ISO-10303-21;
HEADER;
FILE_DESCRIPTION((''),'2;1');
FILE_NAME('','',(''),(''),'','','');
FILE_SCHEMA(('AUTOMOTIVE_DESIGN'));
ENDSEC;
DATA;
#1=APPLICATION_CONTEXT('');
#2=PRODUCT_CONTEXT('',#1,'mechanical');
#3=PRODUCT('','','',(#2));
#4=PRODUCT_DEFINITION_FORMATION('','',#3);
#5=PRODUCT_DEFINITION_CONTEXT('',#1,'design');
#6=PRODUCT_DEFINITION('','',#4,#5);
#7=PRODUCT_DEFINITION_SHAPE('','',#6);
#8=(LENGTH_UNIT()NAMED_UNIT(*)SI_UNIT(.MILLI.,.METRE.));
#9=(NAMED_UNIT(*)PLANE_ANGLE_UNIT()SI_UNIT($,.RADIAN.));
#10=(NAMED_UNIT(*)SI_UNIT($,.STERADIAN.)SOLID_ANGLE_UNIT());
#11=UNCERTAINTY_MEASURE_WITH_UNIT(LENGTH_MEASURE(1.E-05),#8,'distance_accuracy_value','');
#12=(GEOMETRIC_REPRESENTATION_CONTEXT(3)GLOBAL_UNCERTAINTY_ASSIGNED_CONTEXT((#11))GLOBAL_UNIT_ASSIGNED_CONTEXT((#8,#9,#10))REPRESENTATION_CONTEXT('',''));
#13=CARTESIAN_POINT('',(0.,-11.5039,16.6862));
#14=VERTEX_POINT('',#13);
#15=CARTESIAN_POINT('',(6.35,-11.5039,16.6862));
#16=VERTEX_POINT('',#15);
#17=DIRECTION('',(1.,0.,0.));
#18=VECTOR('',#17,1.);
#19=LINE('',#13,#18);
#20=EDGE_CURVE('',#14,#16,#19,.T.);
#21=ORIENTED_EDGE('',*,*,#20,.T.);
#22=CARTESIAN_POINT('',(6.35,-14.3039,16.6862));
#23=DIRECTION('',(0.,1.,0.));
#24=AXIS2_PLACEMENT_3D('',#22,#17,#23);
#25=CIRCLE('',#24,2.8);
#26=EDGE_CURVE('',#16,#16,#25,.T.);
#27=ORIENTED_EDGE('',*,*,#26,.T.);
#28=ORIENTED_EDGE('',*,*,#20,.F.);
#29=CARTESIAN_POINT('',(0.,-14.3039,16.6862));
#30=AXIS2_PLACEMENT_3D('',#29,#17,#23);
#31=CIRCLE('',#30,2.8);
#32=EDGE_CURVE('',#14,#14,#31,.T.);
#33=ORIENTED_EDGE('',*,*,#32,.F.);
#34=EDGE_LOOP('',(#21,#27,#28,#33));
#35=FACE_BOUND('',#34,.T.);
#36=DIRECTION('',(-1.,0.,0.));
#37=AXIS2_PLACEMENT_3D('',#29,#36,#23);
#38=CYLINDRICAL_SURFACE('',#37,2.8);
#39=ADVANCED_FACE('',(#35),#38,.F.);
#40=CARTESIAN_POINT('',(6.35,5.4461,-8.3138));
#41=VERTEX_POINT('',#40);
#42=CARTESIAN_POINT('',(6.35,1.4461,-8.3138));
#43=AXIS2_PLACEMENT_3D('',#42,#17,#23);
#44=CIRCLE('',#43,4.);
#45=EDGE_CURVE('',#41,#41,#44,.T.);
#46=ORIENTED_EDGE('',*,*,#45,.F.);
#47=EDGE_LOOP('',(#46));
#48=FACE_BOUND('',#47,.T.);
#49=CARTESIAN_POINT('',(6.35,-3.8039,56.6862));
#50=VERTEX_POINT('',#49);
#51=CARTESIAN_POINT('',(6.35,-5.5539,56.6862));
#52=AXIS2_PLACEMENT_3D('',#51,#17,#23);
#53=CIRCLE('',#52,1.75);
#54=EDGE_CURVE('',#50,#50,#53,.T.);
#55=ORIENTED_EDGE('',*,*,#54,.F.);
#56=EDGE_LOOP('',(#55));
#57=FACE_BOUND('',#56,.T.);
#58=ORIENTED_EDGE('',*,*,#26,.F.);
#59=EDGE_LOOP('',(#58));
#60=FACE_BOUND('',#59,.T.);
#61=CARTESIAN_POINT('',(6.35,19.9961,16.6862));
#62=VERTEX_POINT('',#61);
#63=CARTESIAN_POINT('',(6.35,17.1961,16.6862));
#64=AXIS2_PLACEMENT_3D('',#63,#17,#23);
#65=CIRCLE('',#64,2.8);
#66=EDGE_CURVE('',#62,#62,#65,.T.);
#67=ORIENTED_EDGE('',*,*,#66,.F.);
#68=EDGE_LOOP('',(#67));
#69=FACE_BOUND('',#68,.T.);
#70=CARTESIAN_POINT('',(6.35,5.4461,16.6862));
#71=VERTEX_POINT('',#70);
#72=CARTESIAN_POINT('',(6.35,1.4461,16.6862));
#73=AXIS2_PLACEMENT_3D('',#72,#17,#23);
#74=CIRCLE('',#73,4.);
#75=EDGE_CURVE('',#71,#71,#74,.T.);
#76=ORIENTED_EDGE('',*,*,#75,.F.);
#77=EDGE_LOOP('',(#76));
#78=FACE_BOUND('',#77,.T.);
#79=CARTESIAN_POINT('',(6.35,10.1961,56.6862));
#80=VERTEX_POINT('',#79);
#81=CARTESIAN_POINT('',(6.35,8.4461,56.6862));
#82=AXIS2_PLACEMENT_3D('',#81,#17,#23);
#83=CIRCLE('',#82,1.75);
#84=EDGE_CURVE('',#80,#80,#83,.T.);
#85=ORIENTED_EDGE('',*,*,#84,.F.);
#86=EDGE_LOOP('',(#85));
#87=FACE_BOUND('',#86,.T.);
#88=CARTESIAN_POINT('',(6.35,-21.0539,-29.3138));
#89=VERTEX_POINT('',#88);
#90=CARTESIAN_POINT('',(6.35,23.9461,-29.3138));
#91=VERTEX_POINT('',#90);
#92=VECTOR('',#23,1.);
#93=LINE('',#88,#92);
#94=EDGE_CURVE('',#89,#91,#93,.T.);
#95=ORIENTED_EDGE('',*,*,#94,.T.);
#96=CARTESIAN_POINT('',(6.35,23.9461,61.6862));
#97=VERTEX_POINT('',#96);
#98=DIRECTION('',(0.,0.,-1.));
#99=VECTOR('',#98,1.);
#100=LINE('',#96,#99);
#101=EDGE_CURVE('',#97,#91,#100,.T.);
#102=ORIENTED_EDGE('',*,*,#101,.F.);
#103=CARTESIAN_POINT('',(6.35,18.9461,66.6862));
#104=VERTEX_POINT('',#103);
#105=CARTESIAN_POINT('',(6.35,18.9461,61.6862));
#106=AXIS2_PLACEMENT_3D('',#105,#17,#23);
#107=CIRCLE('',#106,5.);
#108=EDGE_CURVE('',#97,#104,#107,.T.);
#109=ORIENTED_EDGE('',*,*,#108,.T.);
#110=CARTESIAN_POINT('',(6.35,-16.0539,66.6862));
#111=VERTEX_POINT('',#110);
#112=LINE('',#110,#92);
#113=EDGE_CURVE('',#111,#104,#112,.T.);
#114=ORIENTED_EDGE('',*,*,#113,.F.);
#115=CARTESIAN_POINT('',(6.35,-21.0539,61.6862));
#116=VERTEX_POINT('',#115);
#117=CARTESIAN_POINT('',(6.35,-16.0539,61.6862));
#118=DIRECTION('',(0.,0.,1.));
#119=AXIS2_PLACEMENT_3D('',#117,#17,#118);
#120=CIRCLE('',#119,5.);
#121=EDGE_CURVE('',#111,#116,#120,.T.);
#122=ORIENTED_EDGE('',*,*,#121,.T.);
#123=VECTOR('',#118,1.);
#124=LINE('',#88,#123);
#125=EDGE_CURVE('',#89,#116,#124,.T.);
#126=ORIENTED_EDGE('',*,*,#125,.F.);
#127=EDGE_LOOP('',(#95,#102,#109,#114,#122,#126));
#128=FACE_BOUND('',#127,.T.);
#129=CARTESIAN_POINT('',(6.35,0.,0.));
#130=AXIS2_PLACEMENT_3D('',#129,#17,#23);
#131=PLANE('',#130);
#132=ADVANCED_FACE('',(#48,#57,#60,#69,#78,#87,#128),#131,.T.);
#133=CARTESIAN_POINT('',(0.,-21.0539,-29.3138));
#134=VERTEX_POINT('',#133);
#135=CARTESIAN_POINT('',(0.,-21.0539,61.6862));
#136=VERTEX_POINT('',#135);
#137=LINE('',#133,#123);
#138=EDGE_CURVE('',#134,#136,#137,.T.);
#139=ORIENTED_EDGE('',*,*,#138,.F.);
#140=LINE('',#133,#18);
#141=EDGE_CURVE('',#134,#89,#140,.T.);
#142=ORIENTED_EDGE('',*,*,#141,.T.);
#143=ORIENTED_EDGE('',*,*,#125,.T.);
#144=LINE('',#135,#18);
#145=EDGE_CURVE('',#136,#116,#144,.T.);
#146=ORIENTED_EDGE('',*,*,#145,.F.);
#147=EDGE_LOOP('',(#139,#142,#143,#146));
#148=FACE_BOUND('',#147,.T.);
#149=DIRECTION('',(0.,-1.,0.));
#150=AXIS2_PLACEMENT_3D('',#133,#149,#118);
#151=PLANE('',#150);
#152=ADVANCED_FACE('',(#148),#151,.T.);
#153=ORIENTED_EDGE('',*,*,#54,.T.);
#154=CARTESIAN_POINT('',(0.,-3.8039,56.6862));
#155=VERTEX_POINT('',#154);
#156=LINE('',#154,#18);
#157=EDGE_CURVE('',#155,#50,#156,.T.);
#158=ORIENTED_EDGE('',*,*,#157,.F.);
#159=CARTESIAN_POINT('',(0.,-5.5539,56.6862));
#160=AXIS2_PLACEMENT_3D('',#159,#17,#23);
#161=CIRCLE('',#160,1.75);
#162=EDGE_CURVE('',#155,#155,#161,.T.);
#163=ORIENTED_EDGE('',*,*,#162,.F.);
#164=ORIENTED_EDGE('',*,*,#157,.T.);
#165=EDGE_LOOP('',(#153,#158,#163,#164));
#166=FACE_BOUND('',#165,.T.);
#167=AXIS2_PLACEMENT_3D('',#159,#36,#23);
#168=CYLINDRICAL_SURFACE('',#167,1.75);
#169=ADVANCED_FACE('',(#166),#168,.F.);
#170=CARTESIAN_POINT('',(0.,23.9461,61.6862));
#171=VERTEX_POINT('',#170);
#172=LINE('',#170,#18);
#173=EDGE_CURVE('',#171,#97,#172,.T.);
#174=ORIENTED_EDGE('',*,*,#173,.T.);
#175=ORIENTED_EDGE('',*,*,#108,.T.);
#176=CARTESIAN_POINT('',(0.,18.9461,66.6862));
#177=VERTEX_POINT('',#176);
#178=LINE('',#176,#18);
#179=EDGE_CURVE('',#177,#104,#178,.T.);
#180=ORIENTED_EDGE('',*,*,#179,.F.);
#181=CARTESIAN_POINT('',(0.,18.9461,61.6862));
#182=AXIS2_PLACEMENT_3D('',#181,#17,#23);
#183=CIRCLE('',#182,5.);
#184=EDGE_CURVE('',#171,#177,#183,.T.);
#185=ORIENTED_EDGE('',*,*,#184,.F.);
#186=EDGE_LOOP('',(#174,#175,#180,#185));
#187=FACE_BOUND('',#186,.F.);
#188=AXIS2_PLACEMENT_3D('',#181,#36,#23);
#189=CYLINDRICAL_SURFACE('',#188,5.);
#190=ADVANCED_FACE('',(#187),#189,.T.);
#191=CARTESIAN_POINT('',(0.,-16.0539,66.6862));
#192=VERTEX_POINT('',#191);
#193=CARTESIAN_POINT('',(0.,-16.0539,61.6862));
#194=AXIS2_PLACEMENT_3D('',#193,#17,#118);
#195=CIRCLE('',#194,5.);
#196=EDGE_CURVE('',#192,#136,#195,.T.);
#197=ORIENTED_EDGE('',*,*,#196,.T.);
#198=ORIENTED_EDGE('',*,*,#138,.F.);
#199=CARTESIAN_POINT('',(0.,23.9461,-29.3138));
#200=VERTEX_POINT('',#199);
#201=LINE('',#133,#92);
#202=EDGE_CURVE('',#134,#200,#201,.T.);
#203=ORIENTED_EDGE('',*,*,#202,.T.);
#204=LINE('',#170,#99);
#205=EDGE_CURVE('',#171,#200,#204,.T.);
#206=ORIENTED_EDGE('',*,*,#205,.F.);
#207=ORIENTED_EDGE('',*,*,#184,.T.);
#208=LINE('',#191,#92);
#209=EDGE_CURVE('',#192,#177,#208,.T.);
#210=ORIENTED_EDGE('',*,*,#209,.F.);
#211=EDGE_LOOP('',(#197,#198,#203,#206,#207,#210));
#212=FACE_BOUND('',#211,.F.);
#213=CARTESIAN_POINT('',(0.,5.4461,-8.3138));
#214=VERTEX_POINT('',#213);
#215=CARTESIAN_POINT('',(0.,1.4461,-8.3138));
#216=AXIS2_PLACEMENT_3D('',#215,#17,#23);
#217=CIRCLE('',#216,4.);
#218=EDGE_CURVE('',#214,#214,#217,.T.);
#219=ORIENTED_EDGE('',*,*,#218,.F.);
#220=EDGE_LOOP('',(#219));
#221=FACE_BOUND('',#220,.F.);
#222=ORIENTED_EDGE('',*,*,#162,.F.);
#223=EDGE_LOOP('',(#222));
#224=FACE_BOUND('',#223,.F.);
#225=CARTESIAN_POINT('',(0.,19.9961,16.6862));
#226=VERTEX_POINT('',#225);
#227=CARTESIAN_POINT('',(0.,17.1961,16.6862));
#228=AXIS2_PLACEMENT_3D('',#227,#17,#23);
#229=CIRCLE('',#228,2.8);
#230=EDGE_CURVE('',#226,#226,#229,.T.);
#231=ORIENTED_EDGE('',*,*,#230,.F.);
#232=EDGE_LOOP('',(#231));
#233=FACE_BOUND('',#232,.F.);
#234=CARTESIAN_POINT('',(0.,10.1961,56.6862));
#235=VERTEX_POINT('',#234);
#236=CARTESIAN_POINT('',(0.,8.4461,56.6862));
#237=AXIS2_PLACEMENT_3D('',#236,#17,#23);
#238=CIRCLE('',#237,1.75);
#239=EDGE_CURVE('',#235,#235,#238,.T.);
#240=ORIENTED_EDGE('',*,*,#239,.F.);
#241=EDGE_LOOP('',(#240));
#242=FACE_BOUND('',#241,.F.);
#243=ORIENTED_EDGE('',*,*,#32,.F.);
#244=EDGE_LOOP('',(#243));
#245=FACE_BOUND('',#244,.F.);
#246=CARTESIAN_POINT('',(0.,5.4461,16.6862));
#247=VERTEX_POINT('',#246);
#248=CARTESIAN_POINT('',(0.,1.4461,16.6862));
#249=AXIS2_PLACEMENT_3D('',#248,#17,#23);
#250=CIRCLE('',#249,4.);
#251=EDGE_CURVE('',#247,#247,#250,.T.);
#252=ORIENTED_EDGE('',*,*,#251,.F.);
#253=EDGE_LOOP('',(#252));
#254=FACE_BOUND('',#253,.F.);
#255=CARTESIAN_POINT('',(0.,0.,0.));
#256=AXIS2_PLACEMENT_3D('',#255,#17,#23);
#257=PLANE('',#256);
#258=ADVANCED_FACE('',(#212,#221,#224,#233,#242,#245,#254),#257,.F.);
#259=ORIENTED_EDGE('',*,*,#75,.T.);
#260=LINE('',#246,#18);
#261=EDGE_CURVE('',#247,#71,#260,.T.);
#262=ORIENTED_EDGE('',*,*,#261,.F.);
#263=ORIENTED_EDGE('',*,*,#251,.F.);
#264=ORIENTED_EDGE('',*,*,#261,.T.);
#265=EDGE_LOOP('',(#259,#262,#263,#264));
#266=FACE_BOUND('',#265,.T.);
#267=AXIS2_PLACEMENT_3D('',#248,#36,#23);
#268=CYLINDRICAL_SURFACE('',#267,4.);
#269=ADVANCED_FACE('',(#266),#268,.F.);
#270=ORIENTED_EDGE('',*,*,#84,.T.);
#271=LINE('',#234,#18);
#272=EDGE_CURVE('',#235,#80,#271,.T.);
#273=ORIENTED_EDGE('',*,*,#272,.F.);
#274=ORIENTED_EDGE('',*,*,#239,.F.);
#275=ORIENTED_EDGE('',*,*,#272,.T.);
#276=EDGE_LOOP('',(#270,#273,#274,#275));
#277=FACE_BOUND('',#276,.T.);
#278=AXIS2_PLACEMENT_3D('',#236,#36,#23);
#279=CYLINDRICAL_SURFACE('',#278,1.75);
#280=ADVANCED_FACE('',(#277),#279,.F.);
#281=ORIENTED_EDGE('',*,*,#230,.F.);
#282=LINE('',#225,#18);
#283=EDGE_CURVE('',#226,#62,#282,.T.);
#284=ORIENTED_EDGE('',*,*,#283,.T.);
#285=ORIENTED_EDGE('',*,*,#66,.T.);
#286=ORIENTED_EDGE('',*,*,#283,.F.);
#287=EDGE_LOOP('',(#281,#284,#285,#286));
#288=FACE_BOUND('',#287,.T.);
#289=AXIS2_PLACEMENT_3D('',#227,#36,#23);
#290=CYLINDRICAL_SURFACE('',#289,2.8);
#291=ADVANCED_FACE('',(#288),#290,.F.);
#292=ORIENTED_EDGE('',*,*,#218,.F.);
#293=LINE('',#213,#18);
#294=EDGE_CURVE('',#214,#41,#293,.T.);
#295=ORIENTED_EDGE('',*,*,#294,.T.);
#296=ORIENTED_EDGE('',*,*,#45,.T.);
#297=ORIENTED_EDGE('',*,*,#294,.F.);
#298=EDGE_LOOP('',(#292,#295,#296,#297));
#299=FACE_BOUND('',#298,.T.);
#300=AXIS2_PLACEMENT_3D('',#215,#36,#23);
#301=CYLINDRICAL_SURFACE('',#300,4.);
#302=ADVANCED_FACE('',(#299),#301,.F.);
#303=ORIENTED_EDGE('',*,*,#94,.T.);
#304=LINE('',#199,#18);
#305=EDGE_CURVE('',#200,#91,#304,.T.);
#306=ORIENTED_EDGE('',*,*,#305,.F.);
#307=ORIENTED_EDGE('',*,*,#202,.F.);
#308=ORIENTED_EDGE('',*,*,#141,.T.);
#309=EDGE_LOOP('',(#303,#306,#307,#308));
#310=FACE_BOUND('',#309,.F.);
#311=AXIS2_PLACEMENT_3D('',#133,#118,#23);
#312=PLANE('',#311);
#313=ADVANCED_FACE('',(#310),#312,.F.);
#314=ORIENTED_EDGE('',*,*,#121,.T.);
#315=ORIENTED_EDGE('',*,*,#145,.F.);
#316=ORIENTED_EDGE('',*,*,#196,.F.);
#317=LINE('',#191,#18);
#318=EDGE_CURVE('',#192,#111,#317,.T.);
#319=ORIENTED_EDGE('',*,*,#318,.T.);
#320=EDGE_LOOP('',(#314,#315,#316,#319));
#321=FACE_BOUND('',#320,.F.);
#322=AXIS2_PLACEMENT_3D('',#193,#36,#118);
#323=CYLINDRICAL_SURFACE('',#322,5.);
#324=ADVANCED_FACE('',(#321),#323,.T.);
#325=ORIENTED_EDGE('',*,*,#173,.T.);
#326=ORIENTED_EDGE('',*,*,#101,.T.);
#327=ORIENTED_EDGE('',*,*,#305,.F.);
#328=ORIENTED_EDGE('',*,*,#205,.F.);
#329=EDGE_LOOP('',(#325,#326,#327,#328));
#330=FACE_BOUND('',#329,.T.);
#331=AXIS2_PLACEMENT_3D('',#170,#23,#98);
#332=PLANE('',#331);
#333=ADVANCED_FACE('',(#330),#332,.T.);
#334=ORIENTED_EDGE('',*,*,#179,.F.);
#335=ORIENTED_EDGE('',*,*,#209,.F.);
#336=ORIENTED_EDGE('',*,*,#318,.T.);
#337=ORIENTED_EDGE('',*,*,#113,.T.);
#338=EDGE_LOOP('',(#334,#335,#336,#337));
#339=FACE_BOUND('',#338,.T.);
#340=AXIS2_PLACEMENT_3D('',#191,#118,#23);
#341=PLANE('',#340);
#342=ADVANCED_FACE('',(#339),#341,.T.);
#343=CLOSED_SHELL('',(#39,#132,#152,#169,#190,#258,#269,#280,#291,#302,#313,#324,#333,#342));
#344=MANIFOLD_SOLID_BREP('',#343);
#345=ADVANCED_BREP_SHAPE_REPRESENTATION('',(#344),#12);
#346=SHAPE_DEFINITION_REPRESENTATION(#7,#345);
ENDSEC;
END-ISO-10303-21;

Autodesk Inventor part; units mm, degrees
ref_plane "YZ Plane" through (0, 0, 0) normal (1, 0, 0) x (0, 1, 0)
ref_plane "XZ Plane" through (0, 0, 0) normal (0, 1, 0) x (-1, 0, 0)
ref_plane "XY Plane" through (0, 0, 0) normal (0, 0, 1) x (1, 0, 0)
sketch "Sketch1" plane through (0, 0, 0) normal (1, 0, 0) x (0, 1, 0)
  line L0 (-16.0539, 66.6862) -> (18.9461, 66.6862)
  line L1 (23.9461, 61.6862) -> (23.9461, -29.3138)
  line L2 (-21.0539, -29.3138) -> (-21.0539, 61.6862)
  circle A0 centre (-6.3039, -8.3138) radius 1.75
  circle A1 centre (1.4461, -16.0638) radius 1.75
  circle A2 centre (9.1961, -8.3138) radius 1.75
  circle A3 centre (1.4461, -0.5638) radius 1.75
  circle A4 centre (1.4461, 16.6862) radius 4
  line L3 (-21.0539, -29.3138) -> (23.9461, -29.3138)
  circle A5 centre (17.1961, 16.6862) radius 2.8
  circle A6 centre (1.4461, -8.3138) radius 4
  circle A7 centre (-14.3039, 16.6862) radius 2.8
  arc A8 (-16.0539, 66.6862) -> (-21.0539, 61.6862) centre (-16.0539, 61.6862) ccw
  arc A9 (23.9461, 61.6862) -> (18.9461, 66.6862) centre (18.9461, 61.6862) ccw
  circle A10 centre (-5.5539, 56.6862) radius 1.75
  circle A11 centre (8.4461, 56.6862) radius 1.75
  point P0 (0, 0)
  point P1 (-21.0539, 66.6862)
  point P2 (23.9461, 66.6862)
  dimension "d4" = 360
  dimension "d7" = 8
  dimension "d15" = 8
  dimension "d16" = 5.6
  dimension "d20" = 5.6
  dimension "d21" = 31.5
  dimension "d22" = 15.75
  dimension "d23" = 25
  dimension "d25" = 5
  dimension "d26" = 45
  dimension "d28" = 22.5
  dimension "d29" = 14
  dimension "d30" = 15.5
  dimension "d31" = 3.5
  dimension "d32" = 3.5
  dimension "d33" = 91
  dimension "d34" = 10
extrude "Extrusion1" add sketch "Sketch1" along normal blind 6.35 contours L0 A9 L1 L3 L2 A8 | A0 | A1 | A2 | A3
equation "\"d28\" = 0.5 * d26"
properties part number "carriage"
